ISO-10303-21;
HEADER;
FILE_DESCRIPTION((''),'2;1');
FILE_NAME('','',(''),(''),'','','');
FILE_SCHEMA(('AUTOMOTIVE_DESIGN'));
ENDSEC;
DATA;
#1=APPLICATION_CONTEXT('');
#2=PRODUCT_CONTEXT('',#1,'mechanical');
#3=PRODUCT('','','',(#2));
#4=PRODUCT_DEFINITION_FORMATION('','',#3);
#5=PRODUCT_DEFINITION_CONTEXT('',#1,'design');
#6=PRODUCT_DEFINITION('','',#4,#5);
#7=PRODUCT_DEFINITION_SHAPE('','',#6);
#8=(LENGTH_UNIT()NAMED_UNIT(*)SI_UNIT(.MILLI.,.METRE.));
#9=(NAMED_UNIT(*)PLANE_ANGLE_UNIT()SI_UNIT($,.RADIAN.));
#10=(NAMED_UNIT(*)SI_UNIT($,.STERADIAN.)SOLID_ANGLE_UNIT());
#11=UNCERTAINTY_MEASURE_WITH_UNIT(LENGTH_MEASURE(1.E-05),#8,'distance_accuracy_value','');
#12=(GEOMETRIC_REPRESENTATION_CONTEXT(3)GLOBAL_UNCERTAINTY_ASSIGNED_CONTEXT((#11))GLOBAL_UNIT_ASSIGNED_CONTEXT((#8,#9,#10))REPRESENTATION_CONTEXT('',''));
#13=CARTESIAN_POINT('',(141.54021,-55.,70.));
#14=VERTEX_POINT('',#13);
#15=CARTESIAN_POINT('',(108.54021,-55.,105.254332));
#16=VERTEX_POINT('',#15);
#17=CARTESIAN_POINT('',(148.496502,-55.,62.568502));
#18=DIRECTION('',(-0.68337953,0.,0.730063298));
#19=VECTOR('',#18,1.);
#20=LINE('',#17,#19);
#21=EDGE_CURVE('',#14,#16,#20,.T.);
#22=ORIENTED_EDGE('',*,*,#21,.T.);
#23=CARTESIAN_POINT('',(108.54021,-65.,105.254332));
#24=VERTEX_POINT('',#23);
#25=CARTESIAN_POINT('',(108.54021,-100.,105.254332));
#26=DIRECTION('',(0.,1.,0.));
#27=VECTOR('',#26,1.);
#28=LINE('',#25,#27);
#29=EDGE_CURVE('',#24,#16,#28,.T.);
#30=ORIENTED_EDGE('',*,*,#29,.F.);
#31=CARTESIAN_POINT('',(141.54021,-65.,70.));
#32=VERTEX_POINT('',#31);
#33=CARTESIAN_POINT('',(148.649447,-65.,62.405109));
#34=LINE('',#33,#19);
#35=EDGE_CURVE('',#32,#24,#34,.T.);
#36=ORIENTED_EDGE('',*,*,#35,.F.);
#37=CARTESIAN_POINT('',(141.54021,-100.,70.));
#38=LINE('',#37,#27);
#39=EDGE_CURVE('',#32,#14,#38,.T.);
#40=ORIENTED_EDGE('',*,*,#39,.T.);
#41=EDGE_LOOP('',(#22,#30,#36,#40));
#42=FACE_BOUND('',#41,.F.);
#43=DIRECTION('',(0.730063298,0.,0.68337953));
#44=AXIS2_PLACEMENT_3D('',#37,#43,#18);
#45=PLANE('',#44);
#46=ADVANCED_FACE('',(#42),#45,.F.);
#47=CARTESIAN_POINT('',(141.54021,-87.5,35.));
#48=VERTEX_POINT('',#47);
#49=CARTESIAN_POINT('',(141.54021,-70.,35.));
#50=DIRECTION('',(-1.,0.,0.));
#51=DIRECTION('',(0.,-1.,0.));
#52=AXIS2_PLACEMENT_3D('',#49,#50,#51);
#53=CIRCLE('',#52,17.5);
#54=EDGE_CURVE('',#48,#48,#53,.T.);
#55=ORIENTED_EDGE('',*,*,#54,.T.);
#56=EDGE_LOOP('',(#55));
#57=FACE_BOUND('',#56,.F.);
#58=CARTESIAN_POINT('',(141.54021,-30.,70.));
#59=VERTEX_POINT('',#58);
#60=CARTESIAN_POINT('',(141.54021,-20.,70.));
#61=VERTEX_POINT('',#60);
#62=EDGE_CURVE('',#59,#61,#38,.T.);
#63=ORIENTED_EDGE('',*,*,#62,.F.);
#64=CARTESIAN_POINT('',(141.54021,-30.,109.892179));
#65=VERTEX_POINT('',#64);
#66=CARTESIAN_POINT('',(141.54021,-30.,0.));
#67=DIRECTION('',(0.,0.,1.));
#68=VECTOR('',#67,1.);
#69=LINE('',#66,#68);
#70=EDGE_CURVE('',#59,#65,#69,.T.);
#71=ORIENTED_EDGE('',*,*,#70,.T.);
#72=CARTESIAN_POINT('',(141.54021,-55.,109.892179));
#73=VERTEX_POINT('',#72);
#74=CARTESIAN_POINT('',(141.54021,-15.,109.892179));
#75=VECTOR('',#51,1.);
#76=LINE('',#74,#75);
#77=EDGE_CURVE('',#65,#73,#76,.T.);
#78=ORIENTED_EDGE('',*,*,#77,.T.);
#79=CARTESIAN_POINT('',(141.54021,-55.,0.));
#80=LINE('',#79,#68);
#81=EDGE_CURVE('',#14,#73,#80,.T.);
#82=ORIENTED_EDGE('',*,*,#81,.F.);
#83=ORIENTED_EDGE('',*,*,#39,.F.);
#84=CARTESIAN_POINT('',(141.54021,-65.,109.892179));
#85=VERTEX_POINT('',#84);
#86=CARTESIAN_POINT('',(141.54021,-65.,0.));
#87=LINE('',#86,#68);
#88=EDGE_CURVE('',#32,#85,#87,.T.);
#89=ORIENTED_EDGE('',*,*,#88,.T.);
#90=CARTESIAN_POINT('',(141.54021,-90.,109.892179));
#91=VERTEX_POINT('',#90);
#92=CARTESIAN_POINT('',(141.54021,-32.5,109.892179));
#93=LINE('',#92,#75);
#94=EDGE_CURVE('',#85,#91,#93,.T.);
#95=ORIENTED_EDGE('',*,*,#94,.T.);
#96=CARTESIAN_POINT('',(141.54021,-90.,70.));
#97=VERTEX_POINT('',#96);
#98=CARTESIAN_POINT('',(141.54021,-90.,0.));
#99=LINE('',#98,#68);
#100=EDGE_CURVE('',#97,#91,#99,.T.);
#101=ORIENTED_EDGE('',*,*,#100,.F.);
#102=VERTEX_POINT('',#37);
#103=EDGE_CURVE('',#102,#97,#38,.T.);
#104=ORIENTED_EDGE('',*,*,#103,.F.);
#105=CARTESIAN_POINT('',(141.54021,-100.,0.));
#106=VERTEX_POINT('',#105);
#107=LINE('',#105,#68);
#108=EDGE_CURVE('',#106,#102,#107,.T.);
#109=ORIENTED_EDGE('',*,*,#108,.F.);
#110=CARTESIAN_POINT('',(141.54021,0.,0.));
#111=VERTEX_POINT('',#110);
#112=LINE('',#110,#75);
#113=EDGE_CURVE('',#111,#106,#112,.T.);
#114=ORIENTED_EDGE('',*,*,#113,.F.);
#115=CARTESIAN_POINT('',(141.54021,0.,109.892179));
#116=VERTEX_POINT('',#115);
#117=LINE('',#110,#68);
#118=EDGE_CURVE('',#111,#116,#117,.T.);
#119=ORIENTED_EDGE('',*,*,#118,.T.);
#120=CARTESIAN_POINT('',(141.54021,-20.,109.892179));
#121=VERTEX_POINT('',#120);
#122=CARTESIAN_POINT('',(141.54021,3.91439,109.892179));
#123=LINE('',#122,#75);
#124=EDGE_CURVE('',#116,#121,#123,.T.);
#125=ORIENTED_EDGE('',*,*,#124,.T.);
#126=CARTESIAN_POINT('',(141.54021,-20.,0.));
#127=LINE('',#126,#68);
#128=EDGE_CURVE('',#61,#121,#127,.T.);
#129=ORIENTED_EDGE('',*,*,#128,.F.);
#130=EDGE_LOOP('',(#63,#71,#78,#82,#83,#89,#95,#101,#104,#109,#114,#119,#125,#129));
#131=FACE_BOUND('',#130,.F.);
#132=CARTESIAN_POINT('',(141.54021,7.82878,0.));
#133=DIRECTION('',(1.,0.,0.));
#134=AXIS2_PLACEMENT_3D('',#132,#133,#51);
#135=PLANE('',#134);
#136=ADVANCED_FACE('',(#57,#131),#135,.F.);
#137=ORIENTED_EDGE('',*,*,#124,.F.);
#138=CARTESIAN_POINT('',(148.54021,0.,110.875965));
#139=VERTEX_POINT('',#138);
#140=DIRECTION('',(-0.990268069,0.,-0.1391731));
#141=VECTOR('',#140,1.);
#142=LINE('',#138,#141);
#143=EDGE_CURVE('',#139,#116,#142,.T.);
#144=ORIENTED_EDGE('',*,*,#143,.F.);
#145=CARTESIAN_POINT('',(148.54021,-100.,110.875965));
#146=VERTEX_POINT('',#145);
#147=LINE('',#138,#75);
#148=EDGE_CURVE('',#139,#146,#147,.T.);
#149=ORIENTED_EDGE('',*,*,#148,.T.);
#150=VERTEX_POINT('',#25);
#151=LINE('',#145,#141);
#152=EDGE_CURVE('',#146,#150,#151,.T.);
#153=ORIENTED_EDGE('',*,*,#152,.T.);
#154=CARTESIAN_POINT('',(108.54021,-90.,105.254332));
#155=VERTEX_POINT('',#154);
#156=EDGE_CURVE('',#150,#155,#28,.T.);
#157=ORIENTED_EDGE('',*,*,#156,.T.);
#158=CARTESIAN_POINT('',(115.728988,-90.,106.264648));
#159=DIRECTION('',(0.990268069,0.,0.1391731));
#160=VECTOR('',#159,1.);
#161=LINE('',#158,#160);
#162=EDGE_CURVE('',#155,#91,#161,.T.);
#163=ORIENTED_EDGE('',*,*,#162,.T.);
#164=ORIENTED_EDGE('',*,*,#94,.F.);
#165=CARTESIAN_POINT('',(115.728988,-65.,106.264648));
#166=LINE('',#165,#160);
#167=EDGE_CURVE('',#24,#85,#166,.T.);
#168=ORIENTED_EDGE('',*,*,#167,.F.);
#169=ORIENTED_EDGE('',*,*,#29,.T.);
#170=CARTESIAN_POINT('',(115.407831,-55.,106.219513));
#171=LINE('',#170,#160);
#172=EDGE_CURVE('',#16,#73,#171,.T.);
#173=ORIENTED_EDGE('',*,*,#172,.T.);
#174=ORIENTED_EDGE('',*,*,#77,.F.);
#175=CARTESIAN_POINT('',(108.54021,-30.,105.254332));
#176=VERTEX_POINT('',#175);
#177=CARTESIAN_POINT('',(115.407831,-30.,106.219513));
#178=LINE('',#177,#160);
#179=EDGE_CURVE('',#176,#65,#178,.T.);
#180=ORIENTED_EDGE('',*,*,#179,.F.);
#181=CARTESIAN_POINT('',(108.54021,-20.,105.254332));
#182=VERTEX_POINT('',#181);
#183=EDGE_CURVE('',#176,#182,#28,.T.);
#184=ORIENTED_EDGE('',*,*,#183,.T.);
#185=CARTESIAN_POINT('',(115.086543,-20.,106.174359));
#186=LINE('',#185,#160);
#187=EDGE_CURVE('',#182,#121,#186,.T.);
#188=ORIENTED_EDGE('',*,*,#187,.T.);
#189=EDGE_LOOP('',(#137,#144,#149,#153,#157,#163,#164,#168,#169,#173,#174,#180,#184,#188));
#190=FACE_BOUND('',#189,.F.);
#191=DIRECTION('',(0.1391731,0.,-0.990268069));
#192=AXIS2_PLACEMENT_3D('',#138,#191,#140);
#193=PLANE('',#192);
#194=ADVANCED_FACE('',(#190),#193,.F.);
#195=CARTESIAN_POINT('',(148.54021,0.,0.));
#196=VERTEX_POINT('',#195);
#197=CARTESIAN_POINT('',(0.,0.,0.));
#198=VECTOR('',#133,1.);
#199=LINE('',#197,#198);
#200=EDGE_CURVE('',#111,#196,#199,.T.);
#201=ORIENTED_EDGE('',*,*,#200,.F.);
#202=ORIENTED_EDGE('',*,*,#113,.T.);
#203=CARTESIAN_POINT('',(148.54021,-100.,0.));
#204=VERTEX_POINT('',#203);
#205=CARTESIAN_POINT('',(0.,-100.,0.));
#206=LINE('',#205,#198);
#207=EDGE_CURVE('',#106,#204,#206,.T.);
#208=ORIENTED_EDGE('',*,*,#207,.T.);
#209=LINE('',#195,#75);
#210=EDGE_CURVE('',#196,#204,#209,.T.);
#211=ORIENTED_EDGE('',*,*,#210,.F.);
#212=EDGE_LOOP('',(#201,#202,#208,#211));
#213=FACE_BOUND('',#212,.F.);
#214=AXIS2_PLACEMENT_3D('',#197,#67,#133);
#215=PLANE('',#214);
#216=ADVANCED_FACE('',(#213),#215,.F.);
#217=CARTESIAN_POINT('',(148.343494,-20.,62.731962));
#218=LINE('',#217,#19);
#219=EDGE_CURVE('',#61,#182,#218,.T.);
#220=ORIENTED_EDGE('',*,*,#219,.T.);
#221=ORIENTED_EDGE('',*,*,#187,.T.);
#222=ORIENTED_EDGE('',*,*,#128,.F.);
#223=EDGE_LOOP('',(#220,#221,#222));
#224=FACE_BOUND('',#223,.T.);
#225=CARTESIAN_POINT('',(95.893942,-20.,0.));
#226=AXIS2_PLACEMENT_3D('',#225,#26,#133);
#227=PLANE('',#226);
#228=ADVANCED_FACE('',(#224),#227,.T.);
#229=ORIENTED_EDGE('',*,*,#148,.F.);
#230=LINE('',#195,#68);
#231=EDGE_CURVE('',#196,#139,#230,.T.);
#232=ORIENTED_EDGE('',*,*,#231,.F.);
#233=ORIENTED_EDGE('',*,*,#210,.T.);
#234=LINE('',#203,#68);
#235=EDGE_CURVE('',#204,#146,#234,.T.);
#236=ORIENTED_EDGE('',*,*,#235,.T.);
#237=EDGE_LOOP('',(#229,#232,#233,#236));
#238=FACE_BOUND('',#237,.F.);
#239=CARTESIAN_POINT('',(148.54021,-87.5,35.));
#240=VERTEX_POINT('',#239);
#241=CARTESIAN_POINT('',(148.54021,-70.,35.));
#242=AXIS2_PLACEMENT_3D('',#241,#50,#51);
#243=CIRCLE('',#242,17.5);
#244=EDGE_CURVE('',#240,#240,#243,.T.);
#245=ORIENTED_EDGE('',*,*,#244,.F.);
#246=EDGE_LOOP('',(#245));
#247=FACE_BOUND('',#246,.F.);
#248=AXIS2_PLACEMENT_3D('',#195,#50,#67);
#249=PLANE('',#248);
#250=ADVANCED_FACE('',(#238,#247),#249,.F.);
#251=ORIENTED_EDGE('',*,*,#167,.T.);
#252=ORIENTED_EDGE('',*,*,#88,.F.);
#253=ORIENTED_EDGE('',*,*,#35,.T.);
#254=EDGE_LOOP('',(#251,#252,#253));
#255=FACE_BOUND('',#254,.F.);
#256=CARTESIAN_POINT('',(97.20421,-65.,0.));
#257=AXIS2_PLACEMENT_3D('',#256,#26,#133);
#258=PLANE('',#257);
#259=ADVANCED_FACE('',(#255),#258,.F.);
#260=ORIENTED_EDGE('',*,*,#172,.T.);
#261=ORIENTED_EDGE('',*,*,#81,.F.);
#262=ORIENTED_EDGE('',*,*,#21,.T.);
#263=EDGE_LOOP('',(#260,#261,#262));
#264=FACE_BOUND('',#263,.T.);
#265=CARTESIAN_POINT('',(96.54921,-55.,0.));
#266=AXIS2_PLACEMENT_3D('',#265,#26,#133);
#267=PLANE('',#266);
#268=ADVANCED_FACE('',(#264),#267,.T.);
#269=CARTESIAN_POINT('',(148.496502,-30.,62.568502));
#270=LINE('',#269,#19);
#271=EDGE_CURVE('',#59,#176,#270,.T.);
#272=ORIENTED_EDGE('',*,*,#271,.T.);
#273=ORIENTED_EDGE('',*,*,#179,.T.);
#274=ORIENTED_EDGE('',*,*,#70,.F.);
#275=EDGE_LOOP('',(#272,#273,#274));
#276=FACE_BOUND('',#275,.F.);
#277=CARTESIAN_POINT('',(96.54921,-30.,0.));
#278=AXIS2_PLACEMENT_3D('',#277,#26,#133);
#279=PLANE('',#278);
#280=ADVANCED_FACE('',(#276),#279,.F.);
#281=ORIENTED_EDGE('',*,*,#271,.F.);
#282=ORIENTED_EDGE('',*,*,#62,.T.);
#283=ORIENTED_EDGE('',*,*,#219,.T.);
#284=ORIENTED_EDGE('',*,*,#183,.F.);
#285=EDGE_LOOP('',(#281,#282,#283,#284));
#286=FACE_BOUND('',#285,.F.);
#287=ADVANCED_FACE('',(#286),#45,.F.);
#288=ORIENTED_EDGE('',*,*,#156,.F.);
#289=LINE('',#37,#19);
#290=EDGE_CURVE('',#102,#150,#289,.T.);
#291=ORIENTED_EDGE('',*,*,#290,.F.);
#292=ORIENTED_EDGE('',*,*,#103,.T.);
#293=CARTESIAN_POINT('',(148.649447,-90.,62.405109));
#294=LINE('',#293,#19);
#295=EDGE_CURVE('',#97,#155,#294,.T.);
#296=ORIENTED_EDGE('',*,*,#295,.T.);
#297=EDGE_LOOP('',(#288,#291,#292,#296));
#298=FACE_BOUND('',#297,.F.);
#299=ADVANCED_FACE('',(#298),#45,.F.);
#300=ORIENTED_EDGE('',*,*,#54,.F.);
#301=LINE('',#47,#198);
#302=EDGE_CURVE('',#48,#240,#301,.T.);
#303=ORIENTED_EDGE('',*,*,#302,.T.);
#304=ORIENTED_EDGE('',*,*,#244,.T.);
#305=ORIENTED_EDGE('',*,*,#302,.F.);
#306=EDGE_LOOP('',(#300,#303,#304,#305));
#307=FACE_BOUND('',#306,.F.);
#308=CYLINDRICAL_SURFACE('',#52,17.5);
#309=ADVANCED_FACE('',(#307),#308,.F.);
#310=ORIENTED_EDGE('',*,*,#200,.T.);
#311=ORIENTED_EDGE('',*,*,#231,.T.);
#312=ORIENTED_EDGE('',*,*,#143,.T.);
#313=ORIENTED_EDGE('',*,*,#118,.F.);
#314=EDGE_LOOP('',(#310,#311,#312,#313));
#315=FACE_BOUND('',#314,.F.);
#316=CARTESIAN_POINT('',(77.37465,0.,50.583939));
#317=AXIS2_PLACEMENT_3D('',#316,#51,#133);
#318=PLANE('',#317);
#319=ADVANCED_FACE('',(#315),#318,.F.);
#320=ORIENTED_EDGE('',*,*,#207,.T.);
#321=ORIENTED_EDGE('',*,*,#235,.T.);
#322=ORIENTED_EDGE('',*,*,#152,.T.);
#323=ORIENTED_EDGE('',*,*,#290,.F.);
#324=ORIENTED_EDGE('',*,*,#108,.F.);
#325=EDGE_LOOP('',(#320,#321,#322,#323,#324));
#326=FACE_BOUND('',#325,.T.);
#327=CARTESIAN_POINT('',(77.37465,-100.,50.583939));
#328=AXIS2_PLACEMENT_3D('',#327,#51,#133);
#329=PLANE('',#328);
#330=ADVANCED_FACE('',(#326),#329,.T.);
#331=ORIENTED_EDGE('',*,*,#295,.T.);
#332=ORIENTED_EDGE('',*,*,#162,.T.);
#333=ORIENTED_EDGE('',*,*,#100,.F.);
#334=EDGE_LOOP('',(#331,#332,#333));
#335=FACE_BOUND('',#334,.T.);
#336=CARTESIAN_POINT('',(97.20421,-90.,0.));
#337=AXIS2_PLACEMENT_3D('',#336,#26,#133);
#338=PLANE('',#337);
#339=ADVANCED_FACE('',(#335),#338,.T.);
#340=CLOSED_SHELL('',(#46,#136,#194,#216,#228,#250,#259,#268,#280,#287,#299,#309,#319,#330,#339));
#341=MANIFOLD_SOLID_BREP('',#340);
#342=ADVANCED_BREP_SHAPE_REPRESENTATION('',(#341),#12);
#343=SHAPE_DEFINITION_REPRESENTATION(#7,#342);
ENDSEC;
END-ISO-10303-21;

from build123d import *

# Parameters (mm, degrees)
F1_DEPTH = 100
F3_DEPTH = 100
F4_W     = 44.336
F4_H     = 25
F4_W_2   = 45.646268
F4_H_2   = 27.82878
F4_W_3   = 44.991
F5_DEPTH = 114
F7_DEPTH = 25


with BuildPart() as f1:
    # F0 (on Front) → F1 (new body)
    with BuildSketch(Plane.XZ):
        Polygon((0, 90), (0, 0), (148.54021, 0), (148.54021, 110.875965), align=None)
    extrude(amount=F1_DEPTH)

    # F2 (on face) → F3 (cut)
    with BuildSketch(Plane.XZ.offset(100)):
        Polygon((108.54021, 0), (141.54021, 0), (141.54021, 70), (108.54021, 105.254332), (0, 90), (0, 0), align=None)
    extrude(amount=-F3_DEPTH, mode=Mode.SUBTRACT)

    # F4 (on face) → F5 (cut)
    with BuildSketch(Plane(origin=(0, 0, 0), x_dir=(1, 0, 0), z_dir=(0, 0, -1))):
        with Locations((119.37221, 77.5)):
            Rectangle(F4_W, F4_H)
        with Locations((118.717076, 6.08561)):
            Rectangle(F4_W_2, F4_H_2)
        with Locations((119.04471, 42.5)):
            Rectangle(F4_W_3, F4_H)
    extrude(amount=-F5_DEPTH, mode=Mode.SUBTRACT)

    # F6 (on face) → F7 (cut)
    with BuildSketch(Plane(origin=(141.54021, 0, 0), x_dir=(0, -1, 0), z_dir=(-1, 0, 0))):
        with BuildLine():
            ThreePointArc((52.5, 35), (70, 17.5), (87.5, 35))
            Line((87.5, 35), (52.5, 35))
        make_face()
        with BuildLine():
            Line((52.5, 35), (87.5, 35))
            ThreePointArc((87.5, 35), (70, 52.5), (52.5, 35))
        make_face()
    extrude(amount=-F7_DEPTH, mode=Mode.SUBTRACT)


solid = f1.part
